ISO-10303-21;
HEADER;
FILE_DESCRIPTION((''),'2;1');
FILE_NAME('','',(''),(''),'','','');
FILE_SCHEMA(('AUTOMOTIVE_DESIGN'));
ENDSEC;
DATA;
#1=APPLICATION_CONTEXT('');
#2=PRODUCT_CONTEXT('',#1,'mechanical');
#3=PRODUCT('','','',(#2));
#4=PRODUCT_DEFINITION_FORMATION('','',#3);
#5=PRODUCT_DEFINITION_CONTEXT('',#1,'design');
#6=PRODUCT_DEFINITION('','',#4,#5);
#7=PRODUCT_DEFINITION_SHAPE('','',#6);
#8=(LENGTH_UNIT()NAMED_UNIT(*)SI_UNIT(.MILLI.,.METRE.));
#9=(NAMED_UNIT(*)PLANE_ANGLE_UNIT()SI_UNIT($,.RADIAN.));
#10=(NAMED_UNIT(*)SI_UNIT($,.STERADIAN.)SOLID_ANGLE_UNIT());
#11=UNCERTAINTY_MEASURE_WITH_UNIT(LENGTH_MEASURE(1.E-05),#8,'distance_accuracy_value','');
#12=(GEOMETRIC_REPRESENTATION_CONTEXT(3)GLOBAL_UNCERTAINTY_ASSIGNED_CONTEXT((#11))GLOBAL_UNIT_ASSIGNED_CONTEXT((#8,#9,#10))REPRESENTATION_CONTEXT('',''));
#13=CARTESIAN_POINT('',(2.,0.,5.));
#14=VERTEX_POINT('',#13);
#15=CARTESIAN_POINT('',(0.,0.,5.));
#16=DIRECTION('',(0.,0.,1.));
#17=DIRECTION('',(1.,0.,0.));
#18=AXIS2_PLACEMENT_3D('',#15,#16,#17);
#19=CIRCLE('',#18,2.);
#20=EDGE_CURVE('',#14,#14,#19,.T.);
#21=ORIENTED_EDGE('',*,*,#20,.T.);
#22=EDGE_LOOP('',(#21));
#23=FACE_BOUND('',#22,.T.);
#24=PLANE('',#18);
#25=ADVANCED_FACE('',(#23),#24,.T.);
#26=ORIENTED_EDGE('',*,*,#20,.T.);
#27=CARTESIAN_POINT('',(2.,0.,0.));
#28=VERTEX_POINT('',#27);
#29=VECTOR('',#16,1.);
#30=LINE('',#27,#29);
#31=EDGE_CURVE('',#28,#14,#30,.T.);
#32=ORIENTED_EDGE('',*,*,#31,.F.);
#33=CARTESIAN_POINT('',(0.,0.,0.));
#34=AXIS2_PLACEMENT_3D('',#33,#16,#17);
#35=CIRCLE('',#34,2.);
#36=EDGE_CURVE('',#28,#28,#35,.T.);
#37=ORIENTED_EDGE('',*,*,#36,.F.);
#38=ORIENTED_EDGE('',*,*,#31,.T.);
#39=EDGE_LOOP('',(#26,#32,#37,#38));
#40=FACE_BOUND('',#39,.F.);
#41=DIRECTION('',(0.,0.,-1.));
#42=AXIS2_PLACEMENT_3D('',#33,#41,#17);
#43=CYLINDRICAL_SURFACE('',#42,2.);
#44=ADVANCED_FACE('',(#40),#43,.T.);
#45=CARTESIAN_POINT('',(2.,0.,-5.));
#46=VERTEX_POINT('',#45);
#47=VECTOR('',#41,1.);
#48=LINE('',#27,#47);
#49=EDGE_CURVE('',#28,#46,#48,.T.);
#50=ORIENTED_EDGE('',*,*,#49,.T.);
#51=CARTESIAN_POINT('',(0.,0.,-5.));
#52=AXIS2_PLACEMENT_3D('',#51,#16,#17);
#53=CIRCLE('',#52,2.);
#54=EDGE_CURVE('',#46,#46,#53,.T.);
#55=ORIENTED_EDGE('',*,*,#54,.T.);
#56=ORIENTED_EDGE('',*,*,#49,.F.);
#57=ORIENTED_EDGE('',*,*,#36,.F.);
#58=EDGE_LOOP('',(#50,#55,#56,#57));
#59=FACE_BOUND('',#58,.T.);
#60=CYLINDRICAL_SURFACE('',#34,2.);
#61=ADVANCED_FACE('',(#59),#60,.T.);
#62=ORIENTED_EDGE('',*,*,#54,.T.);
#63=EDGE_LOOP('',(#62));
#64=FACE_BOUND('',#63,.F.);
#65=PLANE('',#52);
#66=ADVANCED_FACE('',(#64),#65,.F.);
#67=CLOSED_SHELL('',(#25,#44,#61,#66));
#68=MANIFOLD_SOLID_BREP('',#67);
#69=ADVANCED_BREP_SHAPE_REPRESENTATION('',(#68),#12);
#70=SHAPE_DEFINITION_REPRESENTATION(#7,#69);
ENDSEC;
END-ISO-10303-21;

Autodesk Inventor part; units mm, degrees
ref_plane "YZ Plane" through (0, 0, 0) normal (1, 0, 0) x (0, 1, 0)
ref_plane "XZ Plane" through (0, 0, 0) normal (0, 1, 0) x (-1, 0, 0)
ref_plane "XY Plane" through (0, 0, 0) normal (0, 0, 1) x (1, 0, 0)
sketch "Sketch1" plane through (0, 0, 0) normal (0, 0, 1) x (1, 0, 0)
  circle A0 centre (0, 0) radius 2
  dimension "d0" = 4
extrude "Extrusion1" add sketch "Sketch1" along normal mid plane 10
thread "Thread1" size "M4x0.7" class "6g" standard "ANSI Metric M Profile" full length
properties part number "CoverThread" material "Steel, Mild"
